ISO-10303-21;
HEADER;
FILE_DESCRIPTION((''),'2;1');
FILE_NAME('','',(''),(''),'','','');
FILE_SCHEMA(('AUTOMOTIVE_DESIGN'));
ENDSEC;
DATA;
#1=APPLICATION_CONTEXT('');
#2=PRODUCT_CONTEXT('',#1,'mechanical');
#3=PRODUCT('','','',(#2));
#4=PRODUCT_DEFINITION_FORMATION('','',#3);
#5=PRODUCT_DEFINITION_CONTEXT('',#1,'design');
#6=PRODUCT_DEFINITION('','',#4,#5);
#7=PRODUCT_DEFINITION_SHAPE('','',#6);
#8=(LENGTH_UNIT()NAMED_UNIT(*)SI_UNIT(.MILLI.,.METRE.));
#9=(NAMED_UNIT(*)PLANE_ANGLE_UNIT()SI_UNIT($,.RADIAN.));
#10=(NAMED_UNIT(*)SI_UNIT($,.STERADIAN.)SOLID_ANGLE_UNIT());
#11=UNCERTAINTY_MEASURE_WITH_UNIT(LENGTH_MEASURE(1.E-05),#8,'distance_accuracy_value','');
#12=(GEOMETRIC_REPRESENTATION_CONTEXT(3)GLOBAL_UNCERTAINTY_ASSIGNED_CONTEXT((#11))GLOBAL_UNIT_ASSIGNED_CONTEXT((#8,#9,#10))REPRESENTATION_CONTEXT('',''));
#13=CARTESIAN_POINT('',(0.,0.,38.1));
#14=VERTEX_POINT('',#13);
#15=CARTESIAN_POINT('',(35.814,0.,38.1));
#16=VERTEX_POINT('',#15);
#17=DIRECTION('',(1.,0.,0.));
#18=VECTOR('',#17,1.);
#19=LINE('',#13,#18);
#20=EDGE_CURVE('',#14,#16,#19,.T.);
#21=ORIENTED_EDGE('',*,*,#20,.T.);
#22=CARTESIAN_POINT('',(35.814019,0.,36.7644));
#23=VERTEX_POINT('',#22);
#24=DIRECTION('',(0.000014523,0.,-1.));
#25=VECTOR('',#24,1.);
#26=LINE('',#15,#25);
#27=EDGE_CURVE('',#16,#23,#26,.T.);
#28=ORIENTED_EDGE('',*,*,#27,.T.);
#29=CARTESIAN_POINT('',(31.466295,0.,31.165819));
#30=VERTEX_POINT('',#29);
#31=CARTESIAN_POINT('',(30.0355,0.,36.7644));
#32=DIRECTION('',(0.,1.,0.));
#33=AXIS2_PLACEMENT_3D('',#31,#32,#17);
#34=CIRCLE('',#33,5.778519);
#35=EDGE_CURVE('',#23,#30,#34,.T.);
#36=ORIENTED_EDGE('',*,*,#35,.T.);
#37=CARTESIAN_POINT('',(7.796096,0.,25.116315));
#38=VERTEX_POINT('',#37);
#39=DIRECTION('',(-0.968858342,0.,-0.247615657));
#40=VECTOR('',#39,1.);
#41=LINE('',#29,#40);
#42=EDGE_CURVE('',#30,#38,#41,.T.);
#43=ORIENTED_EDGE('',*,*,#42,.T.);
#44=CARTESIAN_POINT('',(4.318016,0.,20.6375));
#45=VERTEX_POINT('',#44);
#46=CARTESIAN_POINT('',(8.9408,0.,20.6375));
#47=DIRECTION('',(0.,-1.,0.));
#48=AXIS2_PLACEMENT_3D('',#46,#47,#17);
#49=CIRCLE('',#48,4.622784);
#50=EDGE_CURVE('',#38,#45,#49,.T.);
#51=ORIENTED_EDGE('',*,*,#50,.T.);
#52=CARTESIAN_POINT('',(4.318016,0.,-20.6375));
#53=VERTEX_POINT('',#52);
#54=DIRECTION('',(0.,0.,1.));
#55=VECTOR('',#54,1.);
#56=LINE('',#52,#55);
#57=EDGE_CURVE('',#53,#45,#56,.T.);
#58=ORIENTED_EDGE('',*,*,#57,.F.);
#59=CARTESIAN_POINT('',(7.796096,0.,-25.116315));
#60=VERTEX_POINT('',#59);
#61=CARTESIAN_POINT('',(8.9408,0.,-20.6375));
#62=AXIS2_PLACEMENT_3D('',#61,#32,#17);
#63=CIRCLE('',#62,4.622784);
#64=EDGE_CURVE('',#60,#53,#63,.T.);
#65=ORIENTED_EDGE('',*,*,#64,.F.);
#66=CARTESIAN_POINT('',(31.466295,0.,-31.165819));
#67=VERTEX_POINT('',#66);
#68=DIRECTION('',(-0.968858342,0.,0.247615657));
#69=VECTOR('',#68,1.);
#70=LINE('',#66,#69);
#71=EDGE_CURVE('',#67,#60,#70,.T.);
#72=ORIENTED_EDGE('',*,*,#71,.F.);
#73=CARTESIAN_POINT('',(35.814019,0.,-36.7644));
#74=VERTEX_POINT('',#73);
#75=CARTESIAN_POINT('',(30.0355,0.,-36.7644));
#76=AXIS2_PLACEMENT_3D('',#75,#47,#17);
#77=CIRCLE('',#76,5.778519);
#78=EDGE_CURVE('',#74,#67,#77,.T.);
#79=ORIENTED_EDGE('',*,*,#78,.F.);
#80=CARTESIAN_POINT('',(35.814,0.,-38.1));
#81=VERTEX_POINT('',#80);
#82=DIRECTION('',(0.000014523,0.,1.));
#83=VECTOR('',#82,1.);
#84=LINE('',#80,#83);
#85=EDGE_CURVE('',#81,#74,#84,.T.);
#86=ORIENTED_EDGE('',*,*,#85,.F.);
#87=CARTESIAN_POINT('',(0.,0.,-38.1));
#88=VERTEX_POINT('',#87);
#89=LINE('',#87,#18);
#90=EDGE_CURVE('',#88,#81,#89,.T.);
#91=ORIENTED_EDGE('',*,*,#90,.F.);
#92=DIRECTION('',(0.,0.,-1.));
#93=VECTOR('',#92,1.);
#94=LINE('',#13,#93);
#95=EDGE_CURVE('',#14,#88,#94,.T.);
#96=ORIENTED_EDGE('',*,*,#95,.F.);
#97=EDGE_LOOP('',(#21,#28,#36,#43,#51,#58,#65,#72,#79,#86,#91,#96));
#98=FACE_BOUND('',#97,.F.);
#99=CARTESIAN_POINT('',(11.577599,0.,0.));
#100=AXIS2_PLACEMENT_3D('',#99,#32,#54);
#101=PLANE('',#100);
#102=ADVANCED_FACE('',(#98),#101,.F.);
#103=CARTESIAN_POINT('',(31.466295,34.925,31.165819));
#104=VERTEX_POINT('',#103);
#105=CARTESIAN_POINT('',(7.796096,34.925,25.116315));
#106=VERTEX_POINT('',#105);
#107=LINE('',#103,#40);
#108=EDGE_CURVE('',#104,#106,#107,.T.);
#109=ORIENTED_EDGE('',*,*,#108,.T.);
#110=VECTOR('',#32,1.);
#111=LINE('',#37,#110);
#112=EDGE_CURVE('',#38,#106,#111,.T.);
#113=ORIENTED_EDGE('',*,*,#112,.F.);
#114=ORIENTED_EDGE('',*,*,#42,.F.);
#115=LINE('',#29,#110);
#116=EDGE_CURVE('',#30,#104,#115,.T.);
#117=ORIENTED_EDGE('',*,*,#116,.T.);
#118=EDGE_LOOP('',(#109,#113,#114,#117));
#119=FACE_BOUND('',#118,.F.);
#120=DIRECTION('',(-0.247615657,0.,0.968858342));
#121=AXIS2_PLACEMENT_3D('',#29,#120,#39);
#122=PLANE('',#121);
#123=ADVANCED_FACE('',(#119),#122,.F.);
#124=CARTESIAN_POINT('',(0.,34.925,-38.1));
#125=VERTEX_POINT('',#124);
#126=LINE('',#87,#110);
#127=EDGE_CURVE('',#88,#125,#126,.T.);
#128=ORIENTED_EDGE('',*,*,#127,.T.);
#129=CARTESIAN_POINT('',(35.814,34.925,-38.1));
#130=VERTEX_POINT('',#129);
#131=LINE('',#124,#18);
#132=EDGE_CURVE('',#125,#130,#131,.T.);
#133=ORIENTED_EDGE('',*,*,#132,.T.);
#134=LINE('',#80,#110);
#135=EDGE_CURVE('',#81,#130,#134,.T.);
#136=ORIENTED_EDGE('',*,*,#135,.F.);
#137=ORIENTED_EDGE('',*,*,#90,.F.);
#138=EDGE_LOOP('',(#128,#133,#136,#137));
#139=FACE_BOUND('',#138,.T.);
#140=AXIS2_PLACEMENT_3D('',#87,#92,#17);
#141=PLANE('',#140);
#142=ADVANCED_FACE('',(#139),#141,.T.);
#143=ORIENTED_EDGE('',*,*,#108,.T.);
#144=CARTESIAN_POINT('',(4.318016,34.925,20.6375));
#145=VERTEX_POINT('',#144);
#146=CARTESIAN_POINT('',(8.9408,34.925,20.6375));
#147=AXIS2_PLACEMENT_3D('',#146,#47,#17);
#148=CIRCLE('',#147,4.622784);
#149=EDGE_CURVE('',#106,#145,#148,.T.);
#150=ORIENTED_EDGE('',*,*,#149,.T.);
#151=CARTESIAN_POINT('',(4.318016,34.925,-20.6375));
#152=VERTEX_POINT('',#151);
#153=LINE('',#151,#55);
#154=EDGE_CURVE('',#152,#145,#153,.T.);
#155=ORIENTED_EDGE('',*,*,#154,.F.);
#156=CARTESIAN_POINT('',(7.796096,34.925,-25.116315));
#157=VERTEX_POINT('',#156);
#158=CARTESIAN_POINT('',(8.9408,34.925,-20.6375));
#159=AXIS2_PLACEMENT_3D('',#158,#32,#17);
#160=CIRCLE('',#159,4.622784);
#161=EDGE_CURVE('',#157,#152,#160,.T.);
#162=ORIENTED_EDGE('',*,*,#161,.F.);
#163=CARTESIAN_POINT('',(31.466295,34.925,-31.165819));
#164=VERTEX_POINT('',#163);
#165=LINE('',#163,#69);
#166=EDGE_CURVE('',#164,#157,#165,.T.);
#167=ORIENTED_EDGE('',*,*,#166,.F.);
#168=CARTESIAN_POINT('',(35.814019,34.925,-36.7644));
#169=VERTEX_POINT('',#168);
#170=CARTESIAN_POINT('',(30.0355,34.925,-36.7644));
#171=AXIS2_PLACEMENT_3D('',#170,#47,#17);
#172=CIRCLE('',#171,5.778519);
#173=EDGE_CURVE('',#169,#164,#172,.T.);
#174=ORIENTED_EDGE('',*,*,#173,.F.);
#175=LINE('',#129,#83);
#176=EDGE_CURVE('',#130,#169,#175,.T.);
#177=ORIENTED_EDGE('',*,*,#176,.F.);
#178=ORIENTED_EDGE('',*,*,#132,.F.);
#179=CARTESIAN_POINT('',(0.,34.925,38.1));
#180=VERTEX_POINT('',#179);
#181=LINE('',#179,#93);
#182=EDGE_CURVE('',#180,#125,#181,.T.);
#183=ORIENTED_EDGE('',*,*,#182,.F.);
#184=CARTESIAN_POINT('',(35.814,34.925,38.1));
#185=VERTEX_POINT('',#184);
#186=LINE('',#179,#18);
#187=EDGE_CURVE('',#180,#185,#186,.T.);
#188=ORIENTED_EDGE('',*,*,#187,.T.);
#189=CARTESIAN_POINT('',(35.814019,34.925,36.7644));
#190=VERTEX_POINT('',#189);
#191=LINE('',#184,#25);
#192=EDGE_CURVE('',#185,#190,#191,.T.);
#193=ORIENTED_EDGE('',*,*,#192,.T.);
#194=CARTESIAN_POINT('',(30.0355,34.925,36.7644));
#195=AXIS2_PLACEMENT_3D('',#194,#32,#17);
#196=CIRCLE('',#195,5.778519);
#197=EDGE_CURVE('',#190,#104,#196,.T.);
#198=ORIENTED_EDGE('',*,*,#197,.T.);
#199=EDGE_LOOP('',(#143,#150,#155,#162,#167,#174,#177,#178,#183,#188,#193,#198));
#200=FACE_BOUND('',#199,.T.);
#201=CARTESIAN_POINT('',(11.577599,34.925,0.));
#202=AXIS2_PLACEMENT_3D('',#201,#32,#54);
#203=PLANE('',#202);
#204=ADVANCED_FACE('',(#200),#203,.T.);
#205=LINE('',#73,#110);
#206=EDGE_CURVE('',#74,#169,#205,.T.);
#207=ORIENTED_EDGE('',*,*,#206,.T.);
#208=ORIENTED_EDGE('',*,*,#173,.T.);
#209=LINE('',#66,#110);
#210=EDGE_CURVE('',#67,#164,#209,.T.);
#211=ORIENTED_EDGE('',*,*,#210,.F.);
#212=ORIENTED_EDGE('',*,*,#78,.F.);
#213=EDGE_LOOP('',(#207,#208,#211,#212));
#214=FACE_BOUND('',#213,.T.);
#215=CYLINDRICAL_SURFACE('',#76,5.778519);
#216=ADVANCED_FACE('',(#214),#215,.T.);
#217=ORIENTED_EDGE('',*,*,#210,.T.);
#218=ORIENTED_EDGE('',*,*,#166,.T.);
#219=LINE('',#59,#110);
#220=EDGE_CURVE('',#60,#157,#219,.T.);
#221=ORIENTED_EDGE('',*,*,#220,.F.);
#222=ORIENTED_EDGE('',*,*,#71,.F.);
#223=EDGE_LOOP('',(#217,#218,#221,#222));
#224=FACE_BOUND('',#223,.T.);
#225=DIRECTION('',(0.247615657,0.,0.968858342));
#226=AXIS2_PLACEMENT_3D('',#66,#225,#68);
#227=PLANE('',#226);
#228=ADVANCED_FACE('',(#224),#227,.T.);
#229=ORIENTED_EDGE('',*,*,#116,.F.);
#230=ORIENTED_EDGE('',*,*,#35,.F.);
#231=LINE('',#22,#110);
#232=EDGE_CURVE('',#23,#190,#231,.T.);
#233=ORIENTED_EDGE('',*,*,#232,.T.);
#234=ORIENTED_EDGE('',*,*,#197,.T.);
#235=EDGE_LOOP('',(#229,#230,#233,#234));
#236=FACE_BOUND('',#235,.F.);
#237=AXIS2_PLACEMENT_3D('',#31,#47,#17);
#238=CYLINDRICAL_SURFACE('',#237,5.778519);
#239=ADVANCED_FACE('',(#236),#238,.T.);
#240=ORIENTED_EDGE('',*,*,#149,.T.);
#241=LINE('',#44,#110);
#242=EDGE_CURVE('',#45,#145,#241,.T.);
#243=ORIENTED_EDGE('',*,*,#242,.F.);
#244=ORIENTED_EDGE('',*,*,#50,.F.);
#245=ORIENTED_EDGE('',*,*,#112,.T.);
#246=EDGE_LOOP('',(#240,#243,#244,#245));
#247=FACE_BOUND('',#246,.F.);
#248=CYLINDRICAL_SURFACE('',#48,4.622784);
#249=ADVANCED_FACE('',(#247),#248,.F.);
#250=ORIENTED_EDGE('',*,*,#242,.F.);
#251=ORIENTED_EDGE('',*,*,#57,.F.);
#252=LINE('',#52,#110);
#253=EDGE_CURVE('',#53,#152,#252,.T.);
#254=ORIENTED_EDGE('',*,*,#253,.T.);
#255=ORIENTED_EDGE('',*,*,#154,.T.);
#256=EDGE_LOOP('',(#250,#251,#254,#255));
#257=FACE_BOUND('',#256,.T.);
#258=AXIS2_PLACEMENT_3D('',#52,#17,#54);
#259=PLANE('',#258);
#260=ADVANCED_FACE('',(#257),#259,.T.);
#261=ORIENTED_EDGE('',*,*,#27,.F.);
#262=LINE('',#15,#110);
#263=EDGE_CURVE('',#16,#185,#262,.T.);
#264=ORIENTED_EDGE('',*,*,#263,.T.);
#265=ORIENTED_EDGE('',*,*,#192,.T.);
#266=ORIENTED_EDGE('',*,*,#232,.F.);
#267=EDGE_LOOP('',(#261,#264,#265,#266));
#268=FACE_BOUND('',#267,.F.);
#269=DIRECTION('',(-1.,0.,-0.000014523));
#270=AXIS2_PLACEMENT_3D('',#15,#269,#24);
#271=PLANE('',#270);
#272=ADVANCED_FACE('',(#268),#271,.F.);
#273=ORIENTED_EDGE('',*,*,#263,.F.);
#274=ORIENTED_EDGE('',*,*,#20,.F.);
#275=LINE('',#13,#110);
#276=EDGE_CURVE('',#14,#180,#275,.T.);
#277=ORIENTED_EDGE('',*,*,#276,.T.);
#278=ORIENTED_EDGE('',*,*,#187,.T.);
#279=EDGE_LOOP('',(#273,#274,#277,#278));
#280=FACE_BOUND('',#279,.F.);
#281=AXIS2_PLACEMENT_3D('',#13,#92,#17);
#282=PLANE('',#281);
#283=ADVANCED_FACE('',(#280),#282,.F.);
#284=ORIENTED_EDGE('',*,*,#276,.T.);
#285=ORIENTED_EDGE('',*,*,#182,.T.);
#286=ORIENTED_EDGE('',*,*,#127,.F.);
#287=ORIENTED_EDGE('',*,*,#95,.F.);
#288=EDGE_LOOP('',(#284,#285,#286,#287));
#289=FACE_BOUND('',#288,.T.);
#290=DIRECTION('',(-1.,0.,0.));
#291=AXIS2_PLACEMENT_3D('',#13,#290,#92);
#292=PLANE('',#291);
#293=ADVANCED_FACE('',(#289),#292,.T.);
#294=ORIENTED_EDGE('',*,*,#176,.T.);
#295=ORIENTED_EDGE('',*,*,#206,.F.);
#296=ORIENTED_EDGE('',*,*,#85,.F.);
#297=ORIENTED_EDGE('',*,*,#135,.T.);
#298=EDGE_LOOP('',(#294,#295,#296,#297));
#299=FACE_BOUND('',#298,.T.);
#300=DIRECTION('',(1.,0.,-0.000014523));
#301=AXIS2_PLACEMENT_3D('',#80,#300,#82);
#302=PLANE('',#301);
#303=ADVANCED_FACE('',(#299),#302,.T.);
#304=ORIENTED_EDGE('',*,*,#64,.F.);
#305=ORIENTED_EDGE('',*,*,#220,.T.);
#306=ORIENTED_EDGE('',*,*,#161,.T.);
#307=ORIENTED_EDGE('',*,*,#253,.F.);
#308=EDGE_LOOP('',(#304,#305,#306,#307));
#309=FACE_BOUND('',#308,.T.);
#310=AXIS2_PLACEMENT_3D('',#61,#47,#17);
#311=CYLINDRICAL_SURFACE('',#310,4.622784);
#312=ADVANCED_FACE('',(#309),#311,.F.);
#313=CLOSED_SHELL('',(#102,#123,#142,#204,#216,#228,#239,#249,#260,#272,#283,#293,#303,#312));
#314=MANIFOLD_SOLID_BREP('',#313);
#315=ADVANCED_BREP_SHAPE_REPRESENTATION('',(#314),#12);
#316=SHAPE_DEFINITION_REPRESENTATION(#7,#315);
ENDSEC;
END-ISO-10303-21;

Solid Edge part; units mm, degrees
sketch "Sketch1" plane through (0, 0, 0) normal (0, -1, 0) x (1, 0, 0)
  line L0 (0, 38.1) -> (35.814, 38.1)
  line L1 (35.814, 38.1) -> (35.814, 36.7644)
  arc A0 (35.814, 36.7644) -> (31.4663, 31.1658) centre (30.0355, 36.7644) cw
  line L2 (31.4663, 31.1658) -> (7.7961, 25.1163)
  arc A1 (7.7961, 25.1163) -> (4.318, 20.6375) centre (8.9408, 20.6375) ccw
  line L3 (4.318, -20.6375) -> (4.318, 20.6375)
  arc A2 (7.7961, -25.1163) -> (4.318, -20.6375) centre (8.9408, -20.6375) cw
  line L4 (31.4663, -31.1658) -> (7.7961, -25.1163)
  arc A3 (35.814, -36.7644) -> (31.4663, -31.1658) centre (30.0355, -36.7644) ccw
  line L5 (35.814, -38.1) -> (35.814, -36.7644)
  line L6 (0, -38.1) -> (35.814, -38.1)
  line L7 (0, 38.1) -> (0, -38.1)
  dimension "D1" = 76.2
  dimension "D2" = 35.814
extrude "Protrusion1" add sketch "Sketch1" against normal blind 34.925
